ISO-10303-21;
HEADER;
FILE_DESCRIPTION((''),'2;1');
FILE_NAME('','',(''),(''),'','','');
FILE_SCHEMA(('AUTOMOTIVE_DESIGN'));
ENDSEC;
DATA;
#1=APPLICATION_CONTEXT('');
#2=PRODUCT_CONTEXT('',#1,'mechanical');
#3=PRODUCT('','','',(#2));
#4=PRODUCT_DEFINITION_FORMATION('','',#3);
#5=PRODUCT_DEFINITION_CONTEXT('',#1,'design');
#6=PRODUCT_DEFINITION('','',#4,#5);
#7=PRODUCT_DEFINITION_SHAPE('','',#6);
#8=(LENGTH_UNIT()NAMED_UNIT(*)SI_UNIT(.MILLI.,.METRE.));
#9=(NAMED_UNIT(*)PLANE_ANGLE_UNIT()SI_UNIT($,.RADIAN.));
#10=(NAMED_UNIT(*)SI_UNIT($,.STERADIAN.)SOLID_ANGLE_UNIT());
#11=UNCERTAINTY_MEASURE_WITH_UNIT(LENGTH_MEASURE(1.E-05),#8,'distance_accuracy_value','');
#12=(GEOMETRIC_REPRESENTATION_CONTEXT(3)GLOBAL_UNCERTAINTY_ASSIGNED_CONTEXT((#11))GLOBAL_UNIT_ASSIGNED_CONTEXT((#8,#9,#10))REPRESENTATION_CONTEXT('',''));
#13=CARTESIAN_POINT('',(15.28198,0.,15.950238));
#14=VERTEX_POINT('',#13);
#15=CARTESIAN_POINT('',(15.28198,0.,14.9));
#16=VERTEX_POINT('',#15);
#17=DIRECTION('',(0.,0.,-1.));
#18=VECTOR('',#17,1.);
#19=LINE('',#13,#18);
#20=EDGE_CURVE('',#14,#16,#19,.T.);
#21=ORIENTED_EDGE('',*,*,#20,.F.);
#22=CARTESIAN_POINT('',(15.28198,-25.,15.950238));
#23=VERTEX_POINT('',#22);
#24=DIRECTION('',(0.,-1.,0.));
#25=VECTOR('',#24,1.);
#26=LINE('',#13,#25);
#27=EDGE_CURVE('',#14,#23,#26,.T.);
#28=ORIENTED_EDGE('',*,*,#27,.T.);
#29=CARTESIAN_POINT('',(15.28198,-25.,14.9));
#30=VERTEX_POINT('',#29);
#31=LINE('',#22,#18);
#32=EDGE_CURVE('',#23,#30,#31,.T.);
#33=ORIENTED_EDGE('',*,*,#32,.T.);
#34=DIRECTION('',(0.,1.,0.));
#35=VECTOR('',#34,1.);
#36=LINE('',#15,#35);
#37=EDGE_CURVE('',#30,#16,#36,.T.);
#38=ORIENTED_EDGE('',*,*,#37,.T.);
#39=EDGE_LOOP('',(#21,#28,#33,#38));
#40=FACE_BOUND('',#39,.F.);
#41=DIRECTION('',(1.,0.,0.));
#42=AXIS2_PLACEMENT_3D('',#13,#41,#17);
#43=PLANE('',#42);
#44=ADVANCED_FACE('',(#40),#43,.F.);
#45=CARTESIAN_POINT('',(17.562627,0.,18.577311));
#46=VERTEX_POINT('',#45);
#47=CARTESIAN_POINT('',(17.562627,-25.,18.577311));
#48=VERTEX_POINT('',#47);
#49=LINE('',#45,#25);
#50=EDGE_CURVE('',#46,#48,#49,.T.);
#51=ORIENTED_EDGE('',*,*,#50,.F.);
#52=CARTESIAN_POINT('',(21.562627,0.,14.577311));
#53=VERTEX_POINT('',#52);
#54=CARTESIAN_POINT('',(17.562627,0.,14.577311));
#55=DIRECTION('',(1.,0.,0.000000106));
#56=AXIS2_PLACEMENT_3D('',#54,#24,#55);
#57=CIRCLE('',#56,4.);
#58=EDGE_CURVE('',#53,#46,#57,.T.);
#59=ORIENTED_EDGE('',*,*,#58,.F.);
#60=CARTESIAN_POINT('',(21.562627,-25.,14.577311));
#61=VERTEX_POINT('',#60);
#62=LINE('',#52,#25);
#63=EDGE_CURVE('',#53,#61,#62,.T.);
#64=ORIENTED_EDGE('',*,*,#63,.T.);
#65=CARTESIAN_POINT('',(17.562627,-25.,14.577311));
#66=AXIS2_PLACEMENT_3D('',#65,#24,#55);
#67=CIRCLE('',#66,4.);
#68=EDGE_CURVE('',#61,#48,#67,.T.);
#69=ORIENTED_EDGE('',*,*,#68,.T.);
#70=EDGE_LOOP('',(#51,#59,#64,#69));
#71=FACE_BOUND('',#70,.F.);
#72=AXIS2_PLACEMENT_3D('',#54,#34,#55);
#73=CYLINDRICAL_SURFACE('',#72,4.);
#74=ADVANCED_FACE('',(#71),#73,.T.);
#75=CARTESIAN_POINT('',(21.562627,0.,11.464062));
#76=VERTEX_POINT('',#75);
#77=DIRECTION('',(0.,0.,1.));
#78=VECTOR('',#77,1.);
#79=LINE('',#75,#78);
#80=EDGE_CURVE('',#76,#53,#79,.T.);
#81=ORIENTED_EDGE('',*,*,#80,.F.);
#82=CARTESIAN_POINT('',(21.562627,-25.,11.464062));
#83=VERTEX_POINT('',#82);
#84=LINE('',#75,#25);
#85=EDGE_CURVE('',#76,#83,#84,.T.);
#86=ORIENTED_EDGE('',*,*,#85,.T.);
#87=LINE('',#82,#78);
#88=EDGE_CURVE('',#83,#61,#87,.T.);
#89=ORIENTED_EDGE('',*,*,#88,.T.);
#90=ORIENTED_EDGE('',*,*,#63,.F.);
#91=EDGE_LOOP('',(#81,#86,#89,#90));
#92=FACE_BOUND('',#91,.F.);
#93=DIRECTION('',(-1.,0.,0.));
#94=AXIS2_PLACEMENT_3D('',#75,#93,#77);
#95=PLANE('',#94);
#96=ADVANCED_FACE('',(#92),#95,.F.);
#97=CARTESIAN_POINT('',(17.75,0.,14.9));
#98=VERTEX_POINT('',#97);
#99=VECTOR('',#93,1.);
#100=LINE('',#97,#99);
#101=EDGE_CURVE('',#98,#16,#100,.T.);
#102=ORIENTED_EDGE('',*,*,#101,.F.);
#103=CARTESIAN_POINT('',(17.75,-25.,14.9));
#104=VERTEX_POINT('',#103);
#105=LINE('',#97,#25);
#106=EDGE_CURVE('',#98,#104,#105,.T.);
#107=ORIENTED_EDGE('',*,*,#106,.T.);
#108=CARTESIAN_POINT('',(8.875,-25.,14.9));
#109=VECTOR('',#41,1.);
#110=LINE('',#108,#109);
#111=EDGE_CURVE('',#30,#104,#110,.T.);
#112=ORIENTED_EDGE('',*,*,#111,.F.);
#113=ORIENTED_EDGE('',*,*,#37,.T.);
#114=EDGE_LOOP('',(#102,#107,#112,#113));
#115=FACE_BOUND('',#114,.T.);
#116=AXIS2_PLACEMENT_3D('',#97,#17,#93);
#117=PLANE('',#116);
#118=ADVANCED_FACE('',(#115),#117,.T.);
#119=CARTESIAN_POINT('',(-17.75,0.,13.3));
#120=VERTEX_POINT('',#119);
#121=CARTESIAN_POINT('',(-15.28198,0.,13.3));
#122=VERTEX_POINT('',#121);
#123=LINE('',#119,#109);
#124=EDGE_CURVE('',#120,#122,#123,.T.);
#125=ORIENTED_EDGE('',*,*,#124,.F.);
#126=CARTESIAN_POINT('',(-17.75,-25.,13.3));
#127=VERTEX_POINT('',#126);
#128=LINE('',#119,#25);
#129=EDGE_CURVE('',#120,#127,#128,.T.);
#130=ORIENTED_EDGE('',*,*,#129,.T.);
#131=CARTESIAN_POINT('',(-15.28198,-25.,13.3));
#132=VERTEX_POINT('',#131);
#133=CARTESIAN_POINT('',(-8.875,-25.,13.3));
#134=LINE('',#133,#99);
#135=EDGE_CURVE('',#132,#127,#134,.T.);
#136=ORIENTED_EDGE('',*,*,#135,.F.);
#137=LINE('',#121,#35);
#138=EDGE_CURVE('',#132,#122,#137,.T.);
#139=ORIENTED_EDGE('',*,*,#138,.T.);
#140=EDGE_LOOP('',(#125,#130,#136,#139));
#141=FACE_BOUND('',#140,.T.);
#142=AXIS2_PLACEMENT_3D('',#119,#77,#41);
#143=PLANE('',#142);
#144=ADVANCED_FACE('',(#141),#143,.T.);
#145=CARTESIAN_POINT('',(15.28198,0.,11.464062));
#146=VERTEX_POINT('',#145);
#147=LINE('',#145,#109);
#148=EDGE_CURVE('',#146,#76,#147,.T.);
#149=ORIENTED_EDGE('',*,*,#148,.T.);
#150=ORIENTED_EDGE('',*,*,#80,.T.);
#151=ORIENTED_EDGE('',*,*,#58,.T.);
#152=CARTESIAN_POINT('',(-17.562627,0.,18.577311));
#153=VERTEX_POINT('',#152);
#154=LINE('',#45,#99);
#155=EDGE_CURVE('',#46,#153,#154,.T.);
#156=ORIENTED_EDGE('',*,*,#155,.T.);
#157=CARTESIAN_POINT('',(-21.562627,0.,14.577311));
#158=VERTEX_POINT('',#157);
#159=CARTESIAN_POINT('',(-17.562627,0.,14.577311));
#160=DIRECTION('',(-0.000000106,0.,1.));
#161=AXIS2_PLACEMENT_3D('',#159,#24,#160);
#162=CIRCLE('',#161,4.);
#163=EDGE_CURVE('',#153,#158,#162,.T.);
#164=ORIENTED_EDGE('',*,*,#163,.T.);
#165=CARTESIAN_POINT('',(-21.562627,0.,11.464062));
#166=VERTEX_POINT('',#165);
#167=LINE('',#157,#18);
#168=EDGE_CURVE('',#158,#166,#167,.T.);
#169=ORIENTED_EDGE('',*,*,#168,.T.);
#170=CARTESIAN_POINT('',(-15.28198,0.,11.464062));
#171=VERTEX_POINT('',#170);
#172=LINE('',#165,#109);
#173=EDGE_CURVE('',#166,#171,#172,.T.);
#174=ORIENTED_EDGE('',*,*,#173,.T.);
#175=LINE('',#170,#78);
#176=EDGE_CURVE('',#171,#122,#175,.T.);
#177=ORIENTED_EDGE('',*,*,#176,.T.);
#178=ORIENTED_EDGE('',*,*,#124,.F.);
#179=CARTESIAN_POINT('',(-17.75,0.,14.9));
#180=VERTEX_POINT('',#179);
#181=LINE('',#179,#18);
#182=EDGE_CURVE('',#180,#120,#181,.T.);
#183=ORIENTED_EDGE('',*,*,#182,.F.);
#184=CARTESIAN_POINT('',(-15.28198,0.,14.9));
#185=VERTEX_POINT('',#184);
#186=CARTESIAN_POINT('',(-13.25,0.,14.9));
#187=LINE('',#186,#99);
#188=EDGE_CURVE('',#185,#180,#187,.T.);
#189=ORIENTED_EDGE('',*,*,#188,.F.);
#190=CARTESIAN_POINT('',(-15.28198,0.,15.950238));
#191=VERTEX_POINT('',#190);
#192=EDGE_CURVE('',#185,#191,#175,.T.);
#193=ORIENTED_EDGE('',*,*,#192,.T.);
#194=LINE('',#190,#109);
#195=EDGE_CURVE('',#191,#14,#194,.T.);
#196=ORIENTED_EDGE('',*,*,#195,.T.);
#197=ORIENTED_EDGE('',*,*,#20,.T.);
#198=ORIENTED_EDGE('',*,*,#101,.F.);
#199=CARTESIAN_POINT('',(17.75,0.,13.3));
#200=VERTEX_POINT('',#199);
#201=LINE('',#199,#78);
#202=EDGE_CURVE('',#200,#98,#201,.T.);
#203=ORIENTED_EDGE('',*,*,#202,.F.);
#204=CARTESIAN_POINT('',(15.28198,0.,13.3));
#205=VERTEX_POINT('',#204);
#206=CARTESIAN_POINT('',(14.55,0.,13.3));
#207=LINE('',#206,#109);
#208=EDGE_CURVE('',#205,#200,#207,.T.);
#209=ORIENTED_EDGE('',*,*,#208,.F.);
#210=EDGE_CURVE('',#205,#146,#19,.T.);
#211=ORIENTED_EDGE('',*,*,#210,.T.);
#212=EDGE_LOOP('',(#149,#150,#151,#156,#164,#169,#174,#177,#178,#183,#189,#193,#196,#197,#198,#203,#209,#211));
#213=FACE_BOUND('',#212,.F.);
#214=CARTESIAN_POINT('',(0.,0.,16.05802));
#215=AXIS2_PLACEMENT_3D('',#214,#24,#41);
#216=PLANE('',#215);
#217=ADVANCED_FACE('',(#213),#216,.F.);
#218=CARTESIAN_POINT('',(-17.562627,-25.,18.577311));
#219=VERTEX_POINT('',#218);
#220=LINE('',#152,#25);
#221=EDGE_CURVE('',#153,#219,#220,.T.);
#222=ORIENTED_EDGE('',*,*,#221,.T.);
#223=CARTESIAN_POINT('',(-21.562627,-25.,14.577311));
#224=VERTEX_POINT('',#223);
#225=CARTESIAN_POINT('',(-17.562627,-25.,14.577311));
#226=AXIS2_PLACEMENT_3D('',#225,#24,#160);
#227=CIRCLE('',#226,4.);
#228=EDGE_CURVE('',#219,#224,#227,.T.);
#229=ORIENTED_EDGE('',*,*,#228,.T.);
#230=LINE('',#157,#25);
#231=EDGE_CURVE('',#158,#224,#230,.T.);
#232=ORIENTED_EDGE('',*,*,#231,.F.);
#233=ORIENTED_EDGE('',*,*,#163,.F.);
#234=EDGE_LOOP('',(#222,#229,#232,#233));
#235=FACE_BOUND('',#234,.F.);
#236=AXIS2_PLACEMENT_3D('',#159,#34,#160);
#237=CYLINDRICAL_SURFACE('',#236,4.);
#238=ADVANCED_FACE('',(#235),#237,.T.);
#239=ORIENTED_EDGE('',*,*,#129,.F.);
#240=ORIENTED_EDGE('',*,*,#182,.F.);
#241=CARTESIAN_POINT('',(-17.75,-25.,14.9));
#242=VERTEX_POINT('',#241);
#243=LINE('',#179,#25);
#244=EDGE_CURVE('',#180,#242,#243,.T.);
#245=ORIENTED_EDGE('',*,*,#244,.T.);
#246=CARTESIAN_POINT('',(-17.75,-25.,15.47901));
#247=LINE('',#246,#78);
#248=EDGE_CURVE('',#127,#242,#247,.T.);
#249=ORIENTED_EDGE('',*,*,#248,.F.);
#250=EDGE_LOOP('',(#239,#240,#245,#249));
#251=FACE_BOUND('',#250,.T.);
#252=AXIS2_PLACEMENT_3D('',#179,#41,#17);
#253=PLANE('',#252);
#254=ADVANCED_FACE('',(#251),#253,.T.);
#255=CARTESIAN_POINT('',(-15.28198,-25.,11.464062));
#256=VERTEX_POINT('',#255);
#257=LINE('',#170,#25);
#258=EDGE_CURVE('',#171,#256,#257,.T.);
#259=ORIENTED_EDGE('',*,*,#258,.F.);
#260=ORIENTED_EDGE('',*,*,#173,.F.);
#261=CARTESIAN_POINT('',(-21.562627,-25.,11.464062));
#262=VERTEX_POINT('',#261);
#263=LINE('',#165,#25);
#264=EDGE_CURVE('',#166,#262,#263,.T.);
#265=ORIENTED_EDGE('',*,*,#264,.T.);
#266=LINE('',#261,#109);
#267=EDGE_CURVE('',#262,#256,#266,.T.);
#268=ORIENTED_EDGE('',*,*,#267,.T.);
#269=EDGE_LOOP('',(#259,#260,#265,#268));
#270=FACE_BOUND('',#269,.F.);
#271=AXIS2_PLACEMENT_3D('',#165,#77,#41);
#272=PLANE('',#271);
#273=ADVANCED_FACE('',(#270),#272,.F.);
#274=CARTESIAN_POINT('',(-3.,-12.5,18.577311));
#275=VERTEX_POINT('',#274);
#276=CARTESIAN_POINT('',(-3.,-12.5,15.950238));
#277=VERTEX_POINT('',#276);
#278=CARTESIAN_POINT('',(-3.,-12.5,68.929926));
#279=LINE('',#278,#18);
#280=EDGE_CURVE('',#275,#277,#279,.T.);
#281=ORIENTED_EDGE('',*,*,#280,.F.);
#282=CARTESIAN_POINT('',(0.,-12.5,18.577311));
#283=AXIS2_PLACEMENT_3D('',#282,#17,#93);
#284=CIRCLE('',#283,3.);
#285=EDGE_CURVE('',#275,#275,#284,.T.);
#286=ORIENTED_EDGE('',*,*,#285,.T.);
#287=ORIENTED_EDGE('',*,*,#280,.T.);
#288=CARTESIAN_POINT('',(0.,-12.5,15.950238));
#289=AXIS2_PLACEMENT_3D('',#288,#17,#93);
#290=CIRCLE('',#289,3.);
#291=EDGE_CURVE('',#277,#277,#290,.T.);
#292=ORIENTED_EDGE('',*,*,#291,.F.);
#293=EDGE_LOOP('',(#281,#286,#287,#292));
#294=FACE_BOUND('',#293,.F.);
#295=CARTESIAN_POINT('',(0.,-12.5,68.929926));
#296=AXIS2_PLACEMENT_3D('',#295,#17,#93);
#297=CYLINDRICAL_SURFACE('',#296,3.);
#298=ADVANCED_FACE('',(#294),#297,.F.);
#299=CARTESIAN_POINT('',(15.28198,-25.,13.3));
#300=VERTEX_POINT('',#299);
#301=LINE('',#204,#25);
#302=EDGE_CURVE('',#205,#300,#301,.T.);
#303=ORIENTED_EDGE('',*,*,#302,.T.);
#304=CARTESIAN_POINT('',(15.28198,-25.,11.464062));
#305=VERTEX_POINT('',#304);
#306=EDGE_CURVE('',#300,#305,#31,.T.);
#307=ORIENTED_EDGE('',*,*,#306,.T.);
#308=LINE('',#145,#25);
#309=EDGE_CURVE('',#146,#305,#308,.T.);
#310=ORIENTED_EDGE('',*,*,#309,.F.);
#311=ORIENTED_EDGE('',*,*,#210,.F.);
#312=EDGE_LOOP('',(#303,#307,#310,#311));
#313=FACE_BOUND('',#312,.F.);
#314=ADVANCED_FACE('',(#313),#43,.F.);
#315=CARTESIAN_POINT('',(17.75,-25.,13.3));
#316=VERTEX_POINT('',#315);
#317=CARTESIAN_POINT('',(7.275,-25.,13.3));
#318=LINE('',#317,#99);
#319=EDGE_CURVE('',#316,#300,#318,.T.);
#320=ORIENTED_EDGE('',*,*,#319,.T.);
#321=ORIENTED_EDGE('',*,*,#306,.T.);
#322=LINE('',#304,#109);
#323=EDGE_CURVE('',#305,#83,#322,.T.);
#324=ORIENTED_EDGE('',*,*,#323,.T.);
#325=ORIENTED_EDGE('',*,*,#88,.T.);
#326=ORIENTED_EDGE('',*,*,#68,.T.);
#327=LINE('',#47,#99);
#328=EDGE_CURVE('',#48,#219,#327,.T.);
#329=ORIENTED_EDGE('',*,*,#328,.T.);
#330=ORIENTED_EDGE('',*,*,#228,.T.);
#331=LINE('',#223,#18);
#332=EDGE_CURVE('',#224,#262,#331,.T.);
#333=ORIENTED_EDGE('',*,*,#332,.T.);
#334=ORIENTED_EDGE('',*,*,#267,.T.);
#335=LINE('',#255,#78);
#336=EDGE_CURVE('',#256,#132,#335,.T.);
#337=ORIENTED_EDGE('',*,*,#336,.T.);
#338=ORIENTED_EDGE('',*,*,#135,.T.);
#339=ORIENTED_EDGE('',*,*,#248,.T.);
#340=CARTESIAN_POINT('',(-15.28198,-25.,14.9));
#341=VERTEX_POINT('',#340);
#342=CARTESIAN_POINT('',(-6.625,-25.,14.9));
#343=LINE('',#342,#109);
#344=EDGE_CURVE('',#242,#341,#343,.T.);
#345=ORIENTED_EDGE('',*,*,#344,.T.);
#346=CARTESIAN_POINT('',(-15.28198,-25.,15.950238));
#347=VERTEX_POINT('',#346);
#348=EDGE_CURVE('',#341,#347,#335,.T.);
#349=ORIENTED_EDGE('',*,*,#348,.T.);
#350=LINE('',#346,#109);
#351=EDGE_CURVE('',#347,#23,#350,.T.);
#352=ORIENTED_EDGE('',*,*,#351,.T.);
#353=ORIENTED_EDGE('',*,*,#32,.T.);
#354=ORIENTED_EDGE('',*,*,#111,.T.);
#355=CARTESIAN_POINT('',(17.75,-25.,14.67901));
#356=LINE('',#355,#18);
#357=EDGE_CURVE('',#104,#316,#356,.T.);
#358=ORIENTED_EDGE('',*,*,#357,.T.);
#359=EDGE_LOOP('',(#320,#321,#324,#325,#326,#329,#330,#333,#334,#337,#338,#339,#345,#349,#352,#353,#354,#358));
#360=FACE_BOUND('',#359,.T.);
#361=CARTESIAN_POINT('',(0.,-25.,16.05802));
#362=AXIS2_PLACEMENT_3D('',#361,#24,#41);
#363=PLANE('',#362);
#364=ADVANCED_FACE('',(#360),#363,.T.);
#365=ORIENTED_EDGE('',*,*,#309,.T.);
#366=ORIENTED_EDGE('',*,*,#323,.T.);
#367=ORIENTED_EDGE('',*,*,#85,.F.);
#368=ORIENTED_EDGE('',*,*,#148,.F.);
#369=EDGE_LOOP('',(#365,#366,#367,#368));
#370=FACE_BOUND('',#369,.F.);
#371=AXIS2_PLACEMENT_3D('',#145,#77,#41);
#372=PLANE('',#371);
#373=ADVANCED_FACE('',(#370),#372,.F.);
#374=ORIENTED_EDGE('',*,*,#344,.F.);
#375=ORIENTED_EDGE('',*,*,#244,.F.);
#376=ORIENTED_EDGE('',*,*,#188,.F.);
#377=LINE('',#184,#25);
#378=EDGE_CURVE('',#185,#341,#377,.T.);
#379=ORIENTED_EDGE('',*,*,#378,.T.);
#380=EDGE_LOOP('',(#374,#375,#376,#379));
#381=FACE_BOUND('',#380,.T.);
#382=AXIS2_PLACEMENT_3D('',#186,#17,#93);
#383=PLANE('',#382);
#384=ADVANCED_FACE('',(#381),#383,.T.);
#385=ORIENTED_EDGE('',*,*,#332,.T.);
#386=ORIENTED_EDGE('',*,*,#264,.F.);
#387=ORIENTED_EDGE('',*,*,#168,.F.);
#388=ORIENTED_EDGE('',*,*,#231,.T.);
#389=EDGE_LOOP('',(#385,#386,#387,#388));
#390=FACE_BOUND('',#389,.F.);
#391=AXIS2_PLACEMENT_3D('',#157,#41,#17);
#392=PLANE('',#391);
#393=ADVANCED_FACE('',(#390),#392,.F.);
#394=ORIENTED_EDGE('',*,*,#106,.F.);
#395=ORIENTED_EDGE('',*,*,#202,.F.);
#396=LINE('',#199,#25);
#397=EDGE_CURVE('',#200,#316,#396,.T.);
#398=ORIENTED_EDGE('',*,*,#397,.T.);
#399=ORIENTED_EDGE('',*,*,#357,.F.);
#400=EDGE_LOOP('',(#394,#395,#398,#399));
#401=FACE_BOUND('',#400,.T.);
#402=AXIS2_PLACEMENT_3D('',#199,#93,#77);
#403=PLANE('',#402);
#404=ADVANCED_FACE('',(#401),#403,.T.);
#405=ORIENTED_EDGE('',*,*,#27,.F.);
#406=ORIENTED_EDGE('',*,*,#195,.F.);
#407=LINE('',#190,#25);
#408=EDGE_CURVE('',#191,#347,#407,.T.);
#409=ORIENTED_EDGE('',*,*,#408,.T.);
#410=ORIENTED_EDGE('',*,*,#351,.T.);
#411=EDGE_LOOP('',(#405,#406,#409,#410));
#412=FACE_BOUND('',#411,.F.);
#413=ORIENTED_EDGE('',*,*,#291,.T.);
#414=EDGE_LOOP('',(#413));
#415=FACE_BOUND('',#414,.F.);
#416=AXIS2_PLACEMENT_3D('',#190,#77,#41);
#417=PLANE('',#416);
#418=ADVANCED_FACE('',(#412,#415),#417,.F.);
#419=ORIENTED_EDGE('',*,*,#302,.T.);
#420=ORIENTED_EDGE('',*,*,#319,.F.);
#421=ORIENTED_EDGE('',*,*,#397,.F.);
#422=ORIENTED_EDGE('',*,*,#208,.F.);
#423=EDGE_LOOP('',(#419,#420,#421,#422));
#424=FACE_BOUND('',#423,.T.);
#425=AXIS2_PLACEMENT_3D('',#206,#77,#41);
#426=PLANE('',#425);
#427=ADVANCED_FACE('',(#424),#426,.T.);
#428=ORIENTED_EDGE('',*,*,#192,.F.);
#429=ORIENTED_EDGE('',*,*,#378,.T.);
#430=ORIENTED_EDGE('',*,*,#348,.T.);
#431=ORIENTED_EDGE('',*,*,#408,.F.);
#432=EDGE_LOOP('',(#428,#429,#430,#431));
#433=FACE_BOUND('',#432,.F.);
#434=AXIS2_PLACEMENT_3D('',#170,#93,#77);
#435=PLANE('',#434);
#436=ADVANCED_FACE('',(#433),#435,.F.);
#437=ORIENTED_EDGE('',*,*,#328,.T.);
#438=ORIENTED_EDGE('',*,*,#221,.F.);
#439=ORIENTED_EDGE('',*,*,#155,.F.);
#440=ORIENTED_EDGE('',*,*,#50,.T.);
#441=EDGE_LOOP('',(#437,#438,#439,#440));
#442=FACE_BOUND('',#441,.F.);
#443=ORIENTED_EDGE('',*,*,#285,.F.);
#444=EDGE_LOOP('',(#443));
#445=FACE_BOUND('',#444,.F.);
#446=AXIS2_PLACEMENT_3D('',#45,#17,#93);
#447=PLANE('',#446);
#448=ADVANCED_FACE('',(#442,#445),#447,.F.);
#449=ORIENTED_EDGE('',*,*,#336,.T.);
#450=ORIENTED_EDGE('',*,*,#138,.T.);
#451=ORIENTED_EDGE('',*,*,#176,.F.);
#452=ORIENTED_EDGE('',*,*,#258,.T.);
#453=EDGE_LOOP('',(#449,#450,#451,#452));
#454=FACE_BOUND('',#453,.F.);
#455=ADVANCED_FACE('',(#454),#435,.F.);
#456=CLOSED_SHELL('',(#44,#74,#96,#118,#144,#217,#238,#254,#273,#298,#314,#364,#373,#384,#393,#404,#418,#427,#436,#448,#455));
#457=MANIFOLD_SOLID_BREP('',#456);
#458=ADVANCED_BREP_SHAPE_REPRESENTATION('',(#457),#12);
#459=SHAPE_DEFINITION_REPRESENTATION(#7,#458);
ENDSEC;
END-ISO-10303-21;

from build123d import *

# Parameters (mm, degrees)
F1_DEPTH = 50
F3_DEPTH = 25
F6_D     = 6


with BuildPart() as f1:
    # F0 (on Front) → F1 (new body)
    with BuildSketch(Plane.XZ):
        with BuildLine():
            Line((-17.75, 14.9), (-17.75, 13.3))
            Line((-17.75, 13.3), (-14.55, 13.3))
            ThreePointArc((-14.55, 13.3), (-13.913604, 13.036396), (-13.65, 12.4))
            Line((-13.65, 12.4), (-13.65, 0.9))
            ThreePointArc((-13.65, 0.9), (-13.386396, 0.263604), (-12.75, 0))
            Line((-12.75, 0), (0, 0))
            Line((0, 0), (12.75, 0))
            ThreePointArc((12.75, 0), (13.386396, 0.263604), (13.65, 0.9))
            Line((13.65, 0.9), (13.65, 12.4))
            ThreePointArc((13.65, 12.4), (13.913604, 13.036396), (14.55, 13.3))
            Line((14.55, 13.3), (17.75, 13.3))
            Line((17.75, 13.3), (17.75, 14.9))
            Line((17.75, 14.9), (13.25, 14.9))
            ThreePointArc((13.25, 14.9), (12.401472, 14.548528), (12.05, 13.7))
            Line((12.05, 13.7), (12.05, 2.5))
            ThreePointArc((12.05, 2.5), (11.786396, 1.863604), (11.15, 1.6))
            Line((11.15, 1.6), (0, 1.6))
            Line((0, 1.6), (-11.15, 1.6))
            ThreePointArc((-11.15, 1.6), (-11.786396, 1.863604), (-12.05, 2.5))
            Line((-12.05, 2.5), (-12.05, 13.7))
            ThreePointArc((-12.05, 13.7), (-12.401472, 14.548528), (-13.25, 14.9))
            Line((-13.25, 14.9), (-17.75, 14.9))
        make_face()
    extrude(amount=F1_DEPTH)


with BuildPart() as f3:
    # F2 (on Front) → F3 (new body)
    with BuildSketch(Plane.XZ):
        with BuildLine():
            Line((-21.562627, 11.464062), (-15.28198, 11.464062))
            Line((-15.28198, 11.464062), (-15.28198, 15.950238))
            Line((-15.28198, 15.950238), (0, 15.950238))
            Line((0, 15.950238), (15.28198, 15.950238))
            Line((15.28198, 15.950238), (15.28198, 11.464062))
            Line((15.28198, 11.464062), (21.562627, 11.464062))
            Line((21.562627, 11.464062), (21.562627, 14.577311))
            ThreePointArc((21.562627, 14.577311), (20.391054, 17.405738), (17.562627, 18.577311))
            Line((17.562627, 18.577311), (0, 18.577311))
            Line((0, 18.577311), (-17.562627, 18.577311))
            ThreePointArc((-17.562627, 18.577311), (-20.391054, 17.405738), (-21.562627, 14.577311))
            Line((-21.562627, 14.577311), (-21.562627, 11.464062))
        make_face()
    extrude(amount=F3_DEPTH)

    # F4: cut F1
    add(f1.part, mode=Mode.SUBTRACT)

    # F6 (through all)
    with Locations(Plane.XY.offset(18.577311)):
        with Locations((0, -12.5)):
            Hole(F6_D / 2)


solid = f3.part
